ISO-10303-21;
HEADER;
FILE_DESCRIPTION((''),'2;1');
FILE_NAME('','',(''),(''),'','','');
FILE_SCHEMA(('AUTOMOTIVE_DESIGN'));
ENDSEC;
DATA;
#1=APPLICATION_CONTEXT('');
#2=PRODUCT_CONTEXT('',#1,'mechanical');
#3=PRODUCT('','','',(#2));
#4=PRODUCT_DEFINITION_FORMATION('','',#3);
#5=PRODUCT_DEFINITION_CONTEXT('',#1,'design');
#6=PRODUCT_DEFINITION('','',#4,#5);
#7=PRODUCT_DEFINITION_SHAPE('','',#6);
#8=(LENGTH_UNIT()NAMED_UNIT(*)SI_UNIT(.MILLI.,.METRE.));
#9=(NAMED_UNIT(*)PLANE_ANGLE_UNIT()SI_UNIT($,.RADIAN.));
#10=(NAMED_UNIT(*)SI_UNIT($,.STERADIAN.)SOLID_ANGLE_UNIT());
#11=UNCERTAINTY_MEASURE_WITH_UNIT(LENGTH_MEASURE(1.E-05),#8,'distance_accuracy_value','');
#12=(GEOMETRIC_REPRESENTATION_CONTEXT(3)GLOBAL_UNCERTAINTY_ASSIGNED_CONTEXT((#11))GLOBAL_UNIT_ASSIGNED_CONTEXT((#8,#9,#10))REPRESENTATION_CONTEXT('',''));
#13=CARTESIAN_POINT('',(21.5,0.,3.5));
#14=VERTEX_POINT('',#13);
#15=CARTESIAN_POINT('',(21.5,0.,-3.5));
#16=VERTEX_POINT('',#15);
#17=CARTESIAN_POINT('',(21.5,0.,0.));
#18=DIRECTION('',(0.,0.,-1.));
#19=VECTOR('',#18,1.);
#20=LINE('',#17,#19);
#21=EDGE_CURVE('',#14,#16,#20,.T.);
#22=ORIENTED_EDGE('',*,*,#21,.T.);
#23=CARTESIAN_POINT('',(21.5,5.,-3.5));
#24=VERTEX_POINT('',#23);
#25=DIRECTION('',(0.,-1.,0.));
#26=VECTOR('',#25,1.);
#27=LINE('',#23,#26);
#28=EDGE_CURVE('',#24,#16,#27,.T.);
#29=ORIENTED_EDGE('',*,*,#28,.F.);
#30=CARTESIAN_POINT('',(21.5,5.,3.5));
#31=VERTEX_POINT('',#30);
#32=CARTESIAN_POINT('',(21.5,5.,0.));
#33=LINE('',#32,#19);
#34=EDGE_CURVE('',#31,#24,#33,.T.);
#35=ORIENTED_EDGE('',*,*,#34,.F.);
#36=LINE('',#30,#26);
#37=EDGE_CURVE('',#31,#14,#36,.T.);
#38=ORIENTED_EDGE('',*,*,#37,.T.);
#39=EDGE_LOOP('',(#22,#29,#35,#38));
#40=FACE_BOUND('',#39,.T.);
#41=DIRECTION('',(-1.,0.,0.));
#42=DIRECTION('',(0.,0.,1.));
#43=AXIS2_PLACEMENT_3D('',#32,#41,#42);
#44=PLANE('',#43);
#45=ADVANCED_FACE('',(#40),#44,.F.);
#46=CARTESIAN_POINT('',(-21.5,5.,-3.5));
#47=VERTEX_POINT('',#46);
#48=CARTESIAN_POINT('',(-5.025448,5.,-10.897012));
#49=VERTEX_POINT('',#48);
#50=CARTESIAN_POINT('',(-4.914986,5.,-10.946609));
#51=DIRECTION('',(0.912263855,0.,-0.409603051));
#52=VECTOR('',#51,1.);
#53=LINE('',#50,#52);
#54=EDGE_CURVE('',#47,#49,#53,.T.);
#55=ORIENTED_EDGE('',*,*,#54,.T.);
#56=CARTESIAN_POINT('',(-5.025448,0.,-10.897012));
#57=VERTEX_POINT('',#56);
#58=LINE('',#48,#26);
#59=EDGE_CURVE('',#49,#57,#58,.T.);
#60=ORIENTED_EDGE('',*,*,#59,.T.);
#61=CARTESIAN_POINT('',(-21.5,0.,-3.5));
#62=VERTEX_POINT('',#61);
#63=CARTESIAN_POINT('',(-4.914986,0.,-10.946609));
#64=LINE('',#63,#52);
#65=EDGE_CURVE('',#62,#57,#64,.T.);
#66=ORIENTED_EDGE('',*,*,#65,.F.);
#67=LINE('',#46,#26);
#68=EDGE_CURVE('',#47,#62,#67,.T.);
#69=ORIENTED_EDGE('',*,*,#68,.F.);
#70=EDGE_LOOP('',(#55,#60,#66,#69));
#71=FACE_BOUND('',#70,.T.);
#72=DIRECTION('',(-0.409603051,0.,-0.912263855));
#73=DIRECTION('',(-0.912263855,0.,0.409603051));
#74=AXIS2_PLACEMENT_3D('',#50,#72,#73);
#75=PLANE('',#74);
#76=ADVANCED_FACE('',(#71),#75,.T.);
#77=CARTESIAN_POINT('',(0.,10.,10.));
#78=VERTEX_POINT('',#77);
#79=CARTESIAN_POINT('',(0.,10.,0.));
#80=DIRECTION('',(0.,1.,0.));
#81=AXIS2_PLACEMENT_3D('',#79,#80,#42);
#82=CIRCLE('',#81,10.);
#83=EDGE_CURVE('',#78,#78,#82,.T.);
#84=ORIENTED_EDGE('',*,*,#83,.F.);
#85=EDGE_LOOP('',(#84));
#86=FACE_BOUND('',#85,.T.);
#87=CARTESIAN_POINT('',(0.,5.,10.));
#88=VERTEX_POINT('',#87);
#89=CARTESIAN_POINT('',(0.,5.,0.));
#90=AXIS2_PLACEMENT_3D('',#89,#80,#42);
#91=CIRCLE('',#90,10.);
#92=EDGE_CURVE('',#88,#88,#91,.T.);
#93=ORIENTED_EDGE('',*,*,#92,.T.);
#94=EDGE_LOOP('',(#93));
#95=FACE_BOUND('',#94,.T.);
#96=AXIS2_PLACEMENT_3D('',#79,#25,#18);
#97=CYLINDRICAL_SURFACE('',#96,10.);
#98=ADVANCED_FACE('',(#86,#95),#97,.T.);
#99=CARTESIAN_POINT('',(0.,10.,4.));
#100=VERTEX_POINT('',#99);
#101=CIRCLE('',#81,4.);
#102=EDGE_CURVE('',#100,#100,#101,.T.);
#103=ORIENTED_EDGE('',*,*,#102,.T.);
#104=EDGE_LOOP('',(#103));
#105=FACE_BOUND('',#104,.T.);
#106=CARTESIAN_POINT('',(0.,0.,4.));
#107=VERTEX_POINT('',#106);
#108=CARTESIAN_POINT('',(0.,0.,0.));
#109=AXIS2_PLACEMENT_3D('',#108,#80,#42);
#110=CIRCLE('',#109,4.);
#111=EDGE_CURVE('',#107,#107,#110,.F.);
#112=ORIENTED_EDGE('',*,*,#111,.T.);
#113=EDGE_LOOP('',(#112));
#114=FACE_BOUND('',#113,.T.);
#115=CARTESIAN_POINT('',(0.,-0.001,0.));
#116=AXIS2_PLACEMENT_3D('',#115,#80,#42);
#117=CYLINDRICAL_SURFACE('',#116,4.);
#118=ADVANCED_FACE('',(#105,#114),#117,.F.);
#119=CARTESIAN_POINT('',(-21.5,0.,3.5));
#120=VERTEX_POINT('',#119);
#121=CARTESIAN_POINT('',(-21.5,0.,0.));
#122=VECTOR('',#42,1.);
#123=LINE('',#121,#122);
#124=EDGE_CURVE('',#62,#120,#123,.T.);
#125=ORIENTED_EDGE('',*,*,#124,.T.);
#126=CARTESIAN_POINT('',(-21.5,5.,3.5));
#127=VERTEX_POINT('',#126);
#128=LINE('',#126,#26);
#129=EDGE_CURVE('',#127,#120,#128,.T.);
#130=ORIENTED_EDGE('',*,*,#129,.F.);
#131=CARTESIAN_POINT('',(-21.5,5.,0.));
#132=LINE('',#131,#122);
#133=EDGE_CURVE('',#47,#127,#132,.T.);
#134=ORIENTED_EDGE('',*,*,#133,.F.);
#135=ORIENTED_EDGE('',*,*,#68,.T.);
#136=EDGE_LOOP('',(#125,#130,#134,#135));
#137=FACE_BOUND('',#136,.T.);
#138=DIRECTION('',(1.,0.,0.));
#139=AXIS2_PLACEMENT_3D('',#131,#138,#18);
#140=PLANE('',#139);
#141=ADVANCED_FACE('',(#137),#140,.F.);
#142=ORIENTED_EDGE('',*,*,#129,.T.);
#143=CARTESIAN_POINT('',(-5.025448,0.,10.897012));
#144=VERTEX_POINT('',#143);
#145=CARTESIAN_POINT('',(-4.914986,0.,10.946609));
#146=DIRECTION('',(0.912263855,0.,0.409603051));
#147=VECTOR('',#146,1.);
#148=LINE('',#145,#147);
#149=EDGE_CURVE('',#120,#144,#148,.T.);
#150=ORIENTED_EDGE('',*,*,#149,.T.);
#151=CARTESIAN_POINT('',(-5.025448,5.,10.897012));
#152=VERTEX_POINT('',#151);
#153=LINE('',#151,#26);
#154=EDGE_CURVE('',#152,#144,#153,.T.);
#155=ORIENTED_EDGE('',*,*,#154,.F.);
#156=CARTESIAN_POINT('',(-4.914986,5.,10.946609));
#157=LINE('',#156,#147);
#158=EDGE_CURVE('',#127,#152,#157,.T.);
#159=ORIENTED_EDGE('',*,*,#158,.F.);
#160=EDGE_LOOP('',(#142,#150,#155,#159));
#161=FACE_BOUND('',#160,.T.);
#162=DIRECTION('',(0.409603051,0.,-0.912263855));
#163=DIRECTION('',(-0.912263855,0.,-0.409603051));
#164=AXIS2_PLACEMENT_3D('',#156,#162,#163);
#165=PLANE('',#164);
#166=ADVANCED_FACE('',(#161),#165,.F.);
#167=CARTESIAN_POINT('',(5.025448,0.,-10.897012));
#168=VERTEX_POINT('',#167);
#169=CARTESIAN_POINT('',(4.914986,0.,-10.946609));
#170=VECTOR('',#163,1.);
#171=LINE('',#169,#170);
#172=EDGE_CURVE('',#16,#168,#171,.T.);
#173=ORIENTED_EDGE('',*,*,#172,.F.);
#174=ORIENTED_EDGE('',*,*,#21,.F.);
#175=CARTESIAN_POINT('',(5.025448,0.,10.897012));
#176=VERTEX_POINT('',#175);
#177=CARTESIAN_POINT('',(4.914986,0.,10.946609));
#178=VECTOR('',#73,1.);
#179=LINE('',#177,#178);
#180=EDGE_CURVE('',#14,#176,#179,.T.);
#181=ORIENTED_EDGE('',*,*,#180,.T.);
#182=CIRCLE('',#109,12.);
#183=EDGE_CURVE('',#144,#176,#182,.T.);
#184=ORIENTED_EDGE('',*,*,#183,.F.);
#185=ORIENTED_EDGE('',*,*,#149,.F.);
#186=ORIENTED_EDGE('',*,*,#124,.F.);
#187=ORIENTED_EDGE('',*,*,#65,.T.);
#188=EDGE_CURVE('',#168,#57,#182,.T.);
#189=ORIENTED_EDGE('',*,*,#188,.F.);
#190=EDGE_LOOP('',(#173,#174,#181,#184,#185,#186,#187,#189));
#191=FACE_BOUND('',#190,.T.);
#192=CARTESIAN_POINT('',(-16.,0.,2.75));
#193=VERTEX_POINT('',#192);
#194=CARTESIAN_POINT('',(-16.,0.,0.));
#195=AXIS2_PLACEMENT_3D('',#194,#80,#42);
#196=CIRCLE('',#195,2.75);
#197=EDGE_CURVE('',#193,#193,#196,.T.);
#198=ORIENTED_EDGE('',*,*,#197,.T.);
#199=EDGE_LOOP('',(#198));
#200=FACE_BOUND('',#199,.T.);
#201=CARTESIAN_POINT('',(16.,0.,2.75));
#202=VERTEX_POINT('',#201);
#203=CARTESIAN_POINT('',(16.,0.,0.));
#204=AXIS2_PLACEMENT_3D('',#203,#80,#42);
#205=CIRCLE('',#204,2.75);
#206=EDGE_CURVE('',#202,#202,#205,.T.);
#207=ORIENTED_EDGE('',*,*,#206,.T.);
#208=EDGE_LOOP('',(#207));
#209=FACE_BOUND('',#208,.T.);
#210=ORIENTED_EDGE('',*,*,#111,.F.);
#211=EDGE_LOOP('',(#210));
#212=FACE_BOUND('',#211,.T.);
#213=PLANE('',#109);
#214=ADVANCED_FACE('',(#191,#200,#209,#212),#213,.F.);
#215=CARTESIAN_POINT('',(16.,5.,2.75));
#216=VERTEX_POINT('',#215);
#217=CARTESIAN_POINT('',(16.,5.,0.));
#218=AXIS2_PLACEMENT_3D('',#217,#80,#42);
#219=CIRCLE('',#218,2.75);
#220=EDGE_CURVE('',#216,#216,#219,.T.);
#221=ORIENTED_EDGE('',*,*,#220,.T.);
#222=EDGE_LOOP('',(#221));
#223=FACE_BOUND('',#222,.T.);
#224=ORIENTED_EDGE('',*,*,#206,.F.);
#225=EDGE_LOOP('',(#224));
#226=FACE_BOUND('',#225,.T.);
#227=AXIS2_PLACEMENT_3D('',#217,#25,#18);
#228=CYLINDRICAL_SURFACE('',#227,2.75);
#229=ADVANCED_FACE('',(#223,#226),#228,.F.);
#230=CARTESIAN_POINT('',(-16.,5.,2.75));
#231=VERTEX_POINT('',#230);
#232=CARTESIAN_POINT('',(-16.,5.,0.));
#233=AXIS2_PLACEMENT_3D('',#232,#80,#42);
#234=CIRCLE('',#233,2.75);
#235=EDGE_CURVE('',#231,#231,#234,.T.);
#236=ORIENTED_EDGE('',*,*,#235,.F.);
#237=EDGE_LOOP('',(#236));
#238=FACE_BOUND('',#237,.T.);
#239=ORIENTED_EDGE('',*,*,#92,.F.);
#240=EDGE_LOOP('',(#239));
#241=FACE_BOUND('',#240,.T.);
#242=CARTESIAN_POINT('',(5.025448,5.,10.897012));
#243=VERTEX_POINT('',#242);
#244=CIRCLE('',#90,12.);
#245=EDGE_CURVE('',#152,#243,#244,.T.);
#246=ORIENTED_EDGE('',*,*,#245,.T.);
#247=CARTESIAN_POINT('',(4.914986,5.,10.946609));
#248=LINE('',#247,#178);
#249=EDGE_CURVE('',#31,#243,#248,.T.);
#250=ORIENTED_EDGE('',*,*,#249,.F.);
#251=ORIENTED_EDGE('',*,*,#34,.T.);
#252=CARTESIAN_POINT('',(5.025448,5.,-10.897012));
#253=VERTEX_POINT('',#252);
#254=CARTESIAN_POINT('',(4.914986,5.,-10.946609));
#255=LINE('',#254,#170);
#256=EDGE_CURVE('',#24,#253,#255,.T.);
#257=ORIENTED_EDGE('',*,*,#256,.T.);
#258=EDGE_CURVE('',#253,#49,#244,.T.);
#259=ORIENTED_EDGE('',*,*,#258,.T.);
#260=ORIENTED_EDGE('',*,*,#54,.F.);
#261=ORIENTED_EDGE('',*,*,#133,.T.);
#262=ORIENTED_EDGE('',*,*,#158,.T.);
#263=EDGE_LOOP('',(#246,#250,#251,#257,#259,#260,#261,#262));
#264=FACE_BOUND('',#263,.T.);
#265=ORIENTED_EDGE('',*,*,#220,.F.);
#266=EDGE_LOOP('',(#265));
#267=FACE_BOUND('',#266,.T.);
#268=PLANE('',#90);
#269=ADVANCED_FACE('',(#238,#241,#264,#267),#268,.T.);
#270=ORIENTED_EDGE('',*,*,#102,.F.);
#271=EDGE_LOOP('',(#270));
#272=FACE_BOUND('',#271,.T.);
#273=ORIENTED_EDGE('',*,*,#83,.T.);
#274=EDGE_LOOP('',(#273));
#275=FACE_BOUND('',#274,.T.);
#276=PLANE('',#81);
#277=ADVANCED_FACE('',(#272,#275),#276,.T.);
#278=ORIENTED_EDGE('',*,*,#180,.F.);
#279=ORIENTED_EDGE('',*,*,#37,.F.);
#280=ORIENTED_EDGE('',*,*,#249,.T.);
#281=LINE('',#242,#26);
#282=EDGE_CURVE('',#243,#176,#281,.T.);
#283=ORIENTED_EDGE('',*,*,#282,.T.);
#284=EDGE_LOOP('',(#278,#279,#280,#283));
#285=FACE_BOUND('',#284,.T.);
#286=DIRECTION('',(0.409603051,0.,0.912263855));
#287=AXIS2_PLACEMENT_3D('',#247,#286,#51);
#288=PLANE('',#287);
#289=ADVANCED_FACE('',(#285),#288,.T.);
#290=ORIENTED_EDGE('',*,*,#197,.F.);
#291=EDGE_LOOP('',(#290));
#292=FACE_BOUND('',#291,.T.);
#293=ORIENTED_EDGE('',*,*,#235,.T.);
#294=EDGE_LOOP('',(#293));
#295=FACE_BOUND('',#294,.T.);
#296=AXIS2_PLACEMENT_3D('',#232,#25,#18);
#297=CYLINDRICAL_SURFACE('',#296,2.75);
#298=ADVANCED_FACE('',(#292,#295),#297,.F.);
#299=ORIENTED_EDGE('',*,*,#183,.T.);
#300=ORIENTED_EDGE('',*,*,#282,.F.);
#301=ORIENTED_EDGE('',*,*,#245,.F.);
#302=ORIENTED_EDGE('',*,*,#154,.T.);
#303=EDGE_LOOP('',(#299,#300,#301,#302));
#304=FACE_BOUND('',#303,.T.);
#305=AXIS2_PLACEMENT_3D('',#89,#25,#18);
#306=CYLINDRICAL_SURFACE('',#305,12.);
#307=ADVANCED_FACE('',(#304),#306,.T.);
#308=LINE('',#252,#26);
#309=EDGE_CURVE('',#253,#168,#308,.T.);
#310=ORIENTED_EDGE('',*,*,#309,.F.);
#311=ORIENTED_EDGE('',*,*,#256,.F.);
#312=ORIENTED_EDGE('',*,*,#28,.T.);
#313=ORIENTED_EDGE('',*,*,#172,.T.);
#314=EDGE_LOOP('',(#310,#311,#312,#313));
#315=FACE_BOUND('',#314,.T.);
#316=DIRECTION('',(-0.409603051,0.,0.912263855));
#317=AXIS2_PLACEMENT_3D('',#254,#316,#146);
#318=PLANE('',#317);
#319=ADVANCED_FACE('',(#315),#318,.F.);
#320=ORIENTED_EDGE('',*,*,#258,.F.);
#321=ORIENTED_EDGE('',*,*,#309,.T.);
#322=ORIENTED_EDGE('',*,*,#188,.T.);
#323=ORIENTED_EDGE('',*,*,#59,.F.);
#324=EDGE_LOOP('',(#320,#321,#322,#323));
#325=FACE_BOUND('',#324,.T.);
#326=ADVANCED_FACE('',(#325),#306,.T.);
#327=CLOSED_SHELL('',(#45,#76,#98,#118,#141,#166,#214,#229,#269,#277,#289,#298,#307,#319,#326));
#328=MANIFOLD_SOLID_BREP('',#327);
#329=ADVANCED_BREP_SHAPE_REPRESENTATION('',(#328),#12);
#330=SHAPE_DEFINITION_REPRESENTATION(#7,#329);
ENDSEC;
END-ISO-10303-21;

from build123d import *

# Parameters (mm, degrees)
SKETCH1_R           = 2.75
SKETCH1_R_2         = 12
BOSS_EXTRUDE1_DEPTH = 5
SKETCH2_R           = 10
BOSS_EXTRUDE2_DEPTH = 5
CUT_EXTRUDE1_REACH  = 28.575
SKETCH3_R           = 4


with BuildPart() as part:
    # Sketch1 → Boss-Extrude1 (new body)
    # profile 1 of 3: a face of its own
    with BuildSketch(Plane(origin=(0, 0, 0), x_dir=(1, 0, 0), z_dir=(0, 1, 0))):
        with BuildLine():
            Line((21.5, 3.5), (5.025448323, 10.897011937))
            ThreePointArc((5.025448323, 10.897011937), (10.10706139, 6.468949688), (12, 0))
            ThreePointArc((12, 0), (10.10706139, -6.468949688), (5.025448323, -10.897011937))
            Line((5.025448323, -10.897011937), (21.5, -3.5))
            Line((21.5, -3.5), (21.5, 3.5))
        make_face()
        with Locations(Location((16, 0, 0), (0, 0, 270))):
            Circle(SKETCH1_R, mode=Mode.SUBTRACT)
    # profile 2 of 3: a face of its own
    with BuildSketch(Plane(origin=(0, 0, 0), x_dir=(1, 0, 0), z_dir=(0, 1, 0))):
        Circle(SKETCH1_R_2)
    # profile 3 of 3: a face of its own
    with BuildSketch(Plane(origin=(0, 0, 0), x_dir=(1, 0, 0), z_dir=(0, 1, 0))):
        with BuildLine():
            Line((-5.025448323, 10.897011937), (-21.5, 3.5))
            Line((-21.5, 3.5), (-21.5, -3.5))
            Line((-21.5, -3.5), (-5.025448323, -10.897011937))
            ThreePointArc((-5.025448323, -10.897011937), (-12, 0), (-5.025448323, 10.897011937))
        make_face()
        with Locations(Location((-16, 0, 0), (0, 0, 270))):
            Circle(SKETCH1_R, mode=Mode.SUBTRACT)
    extrude(amount=BOSS_EXTRUDE1_DEPTH)

    # Sketch2 → Boss-Extrude2 (add)
    with BuildSketch(Plane(origin=(0, 5, 0), x_dir=(1, 0, 0), z_dir=(0, 1, 0))):
        with Locations(Location((0, 0, 0), (0, 0, 270))):
            Circle(SKETCH2_R)
    extrude(amount=BOSS_EXTRUDE2_DEPTH)

    # Sketch3 → Cut-Extrude1 (cut, up to next)
    with BuildSketch(Plane(origin=(0, 10, 0), x_dir=(1, 0, 0), z_dir=(0, 1, 0)), mode=Mode.PRIVATE) as cut_extrude1_sk1:
        with Locations(Location((0, 0, 0), (0, 0, 270))):
            Circle(SKETCH3_R)
    cut_extrude1_tool1 = extrude(cut_extrude1_sk1.sketch, amount=-CUT_EXTRUDE1_REACH, mode=Mode.PRIVATE) & part.part
    add(cut_extrude1_tool1.solids().sort_by_distance((0, 10, 0))[0], mode=Mode.SUBTRACT)


solid = part.part
